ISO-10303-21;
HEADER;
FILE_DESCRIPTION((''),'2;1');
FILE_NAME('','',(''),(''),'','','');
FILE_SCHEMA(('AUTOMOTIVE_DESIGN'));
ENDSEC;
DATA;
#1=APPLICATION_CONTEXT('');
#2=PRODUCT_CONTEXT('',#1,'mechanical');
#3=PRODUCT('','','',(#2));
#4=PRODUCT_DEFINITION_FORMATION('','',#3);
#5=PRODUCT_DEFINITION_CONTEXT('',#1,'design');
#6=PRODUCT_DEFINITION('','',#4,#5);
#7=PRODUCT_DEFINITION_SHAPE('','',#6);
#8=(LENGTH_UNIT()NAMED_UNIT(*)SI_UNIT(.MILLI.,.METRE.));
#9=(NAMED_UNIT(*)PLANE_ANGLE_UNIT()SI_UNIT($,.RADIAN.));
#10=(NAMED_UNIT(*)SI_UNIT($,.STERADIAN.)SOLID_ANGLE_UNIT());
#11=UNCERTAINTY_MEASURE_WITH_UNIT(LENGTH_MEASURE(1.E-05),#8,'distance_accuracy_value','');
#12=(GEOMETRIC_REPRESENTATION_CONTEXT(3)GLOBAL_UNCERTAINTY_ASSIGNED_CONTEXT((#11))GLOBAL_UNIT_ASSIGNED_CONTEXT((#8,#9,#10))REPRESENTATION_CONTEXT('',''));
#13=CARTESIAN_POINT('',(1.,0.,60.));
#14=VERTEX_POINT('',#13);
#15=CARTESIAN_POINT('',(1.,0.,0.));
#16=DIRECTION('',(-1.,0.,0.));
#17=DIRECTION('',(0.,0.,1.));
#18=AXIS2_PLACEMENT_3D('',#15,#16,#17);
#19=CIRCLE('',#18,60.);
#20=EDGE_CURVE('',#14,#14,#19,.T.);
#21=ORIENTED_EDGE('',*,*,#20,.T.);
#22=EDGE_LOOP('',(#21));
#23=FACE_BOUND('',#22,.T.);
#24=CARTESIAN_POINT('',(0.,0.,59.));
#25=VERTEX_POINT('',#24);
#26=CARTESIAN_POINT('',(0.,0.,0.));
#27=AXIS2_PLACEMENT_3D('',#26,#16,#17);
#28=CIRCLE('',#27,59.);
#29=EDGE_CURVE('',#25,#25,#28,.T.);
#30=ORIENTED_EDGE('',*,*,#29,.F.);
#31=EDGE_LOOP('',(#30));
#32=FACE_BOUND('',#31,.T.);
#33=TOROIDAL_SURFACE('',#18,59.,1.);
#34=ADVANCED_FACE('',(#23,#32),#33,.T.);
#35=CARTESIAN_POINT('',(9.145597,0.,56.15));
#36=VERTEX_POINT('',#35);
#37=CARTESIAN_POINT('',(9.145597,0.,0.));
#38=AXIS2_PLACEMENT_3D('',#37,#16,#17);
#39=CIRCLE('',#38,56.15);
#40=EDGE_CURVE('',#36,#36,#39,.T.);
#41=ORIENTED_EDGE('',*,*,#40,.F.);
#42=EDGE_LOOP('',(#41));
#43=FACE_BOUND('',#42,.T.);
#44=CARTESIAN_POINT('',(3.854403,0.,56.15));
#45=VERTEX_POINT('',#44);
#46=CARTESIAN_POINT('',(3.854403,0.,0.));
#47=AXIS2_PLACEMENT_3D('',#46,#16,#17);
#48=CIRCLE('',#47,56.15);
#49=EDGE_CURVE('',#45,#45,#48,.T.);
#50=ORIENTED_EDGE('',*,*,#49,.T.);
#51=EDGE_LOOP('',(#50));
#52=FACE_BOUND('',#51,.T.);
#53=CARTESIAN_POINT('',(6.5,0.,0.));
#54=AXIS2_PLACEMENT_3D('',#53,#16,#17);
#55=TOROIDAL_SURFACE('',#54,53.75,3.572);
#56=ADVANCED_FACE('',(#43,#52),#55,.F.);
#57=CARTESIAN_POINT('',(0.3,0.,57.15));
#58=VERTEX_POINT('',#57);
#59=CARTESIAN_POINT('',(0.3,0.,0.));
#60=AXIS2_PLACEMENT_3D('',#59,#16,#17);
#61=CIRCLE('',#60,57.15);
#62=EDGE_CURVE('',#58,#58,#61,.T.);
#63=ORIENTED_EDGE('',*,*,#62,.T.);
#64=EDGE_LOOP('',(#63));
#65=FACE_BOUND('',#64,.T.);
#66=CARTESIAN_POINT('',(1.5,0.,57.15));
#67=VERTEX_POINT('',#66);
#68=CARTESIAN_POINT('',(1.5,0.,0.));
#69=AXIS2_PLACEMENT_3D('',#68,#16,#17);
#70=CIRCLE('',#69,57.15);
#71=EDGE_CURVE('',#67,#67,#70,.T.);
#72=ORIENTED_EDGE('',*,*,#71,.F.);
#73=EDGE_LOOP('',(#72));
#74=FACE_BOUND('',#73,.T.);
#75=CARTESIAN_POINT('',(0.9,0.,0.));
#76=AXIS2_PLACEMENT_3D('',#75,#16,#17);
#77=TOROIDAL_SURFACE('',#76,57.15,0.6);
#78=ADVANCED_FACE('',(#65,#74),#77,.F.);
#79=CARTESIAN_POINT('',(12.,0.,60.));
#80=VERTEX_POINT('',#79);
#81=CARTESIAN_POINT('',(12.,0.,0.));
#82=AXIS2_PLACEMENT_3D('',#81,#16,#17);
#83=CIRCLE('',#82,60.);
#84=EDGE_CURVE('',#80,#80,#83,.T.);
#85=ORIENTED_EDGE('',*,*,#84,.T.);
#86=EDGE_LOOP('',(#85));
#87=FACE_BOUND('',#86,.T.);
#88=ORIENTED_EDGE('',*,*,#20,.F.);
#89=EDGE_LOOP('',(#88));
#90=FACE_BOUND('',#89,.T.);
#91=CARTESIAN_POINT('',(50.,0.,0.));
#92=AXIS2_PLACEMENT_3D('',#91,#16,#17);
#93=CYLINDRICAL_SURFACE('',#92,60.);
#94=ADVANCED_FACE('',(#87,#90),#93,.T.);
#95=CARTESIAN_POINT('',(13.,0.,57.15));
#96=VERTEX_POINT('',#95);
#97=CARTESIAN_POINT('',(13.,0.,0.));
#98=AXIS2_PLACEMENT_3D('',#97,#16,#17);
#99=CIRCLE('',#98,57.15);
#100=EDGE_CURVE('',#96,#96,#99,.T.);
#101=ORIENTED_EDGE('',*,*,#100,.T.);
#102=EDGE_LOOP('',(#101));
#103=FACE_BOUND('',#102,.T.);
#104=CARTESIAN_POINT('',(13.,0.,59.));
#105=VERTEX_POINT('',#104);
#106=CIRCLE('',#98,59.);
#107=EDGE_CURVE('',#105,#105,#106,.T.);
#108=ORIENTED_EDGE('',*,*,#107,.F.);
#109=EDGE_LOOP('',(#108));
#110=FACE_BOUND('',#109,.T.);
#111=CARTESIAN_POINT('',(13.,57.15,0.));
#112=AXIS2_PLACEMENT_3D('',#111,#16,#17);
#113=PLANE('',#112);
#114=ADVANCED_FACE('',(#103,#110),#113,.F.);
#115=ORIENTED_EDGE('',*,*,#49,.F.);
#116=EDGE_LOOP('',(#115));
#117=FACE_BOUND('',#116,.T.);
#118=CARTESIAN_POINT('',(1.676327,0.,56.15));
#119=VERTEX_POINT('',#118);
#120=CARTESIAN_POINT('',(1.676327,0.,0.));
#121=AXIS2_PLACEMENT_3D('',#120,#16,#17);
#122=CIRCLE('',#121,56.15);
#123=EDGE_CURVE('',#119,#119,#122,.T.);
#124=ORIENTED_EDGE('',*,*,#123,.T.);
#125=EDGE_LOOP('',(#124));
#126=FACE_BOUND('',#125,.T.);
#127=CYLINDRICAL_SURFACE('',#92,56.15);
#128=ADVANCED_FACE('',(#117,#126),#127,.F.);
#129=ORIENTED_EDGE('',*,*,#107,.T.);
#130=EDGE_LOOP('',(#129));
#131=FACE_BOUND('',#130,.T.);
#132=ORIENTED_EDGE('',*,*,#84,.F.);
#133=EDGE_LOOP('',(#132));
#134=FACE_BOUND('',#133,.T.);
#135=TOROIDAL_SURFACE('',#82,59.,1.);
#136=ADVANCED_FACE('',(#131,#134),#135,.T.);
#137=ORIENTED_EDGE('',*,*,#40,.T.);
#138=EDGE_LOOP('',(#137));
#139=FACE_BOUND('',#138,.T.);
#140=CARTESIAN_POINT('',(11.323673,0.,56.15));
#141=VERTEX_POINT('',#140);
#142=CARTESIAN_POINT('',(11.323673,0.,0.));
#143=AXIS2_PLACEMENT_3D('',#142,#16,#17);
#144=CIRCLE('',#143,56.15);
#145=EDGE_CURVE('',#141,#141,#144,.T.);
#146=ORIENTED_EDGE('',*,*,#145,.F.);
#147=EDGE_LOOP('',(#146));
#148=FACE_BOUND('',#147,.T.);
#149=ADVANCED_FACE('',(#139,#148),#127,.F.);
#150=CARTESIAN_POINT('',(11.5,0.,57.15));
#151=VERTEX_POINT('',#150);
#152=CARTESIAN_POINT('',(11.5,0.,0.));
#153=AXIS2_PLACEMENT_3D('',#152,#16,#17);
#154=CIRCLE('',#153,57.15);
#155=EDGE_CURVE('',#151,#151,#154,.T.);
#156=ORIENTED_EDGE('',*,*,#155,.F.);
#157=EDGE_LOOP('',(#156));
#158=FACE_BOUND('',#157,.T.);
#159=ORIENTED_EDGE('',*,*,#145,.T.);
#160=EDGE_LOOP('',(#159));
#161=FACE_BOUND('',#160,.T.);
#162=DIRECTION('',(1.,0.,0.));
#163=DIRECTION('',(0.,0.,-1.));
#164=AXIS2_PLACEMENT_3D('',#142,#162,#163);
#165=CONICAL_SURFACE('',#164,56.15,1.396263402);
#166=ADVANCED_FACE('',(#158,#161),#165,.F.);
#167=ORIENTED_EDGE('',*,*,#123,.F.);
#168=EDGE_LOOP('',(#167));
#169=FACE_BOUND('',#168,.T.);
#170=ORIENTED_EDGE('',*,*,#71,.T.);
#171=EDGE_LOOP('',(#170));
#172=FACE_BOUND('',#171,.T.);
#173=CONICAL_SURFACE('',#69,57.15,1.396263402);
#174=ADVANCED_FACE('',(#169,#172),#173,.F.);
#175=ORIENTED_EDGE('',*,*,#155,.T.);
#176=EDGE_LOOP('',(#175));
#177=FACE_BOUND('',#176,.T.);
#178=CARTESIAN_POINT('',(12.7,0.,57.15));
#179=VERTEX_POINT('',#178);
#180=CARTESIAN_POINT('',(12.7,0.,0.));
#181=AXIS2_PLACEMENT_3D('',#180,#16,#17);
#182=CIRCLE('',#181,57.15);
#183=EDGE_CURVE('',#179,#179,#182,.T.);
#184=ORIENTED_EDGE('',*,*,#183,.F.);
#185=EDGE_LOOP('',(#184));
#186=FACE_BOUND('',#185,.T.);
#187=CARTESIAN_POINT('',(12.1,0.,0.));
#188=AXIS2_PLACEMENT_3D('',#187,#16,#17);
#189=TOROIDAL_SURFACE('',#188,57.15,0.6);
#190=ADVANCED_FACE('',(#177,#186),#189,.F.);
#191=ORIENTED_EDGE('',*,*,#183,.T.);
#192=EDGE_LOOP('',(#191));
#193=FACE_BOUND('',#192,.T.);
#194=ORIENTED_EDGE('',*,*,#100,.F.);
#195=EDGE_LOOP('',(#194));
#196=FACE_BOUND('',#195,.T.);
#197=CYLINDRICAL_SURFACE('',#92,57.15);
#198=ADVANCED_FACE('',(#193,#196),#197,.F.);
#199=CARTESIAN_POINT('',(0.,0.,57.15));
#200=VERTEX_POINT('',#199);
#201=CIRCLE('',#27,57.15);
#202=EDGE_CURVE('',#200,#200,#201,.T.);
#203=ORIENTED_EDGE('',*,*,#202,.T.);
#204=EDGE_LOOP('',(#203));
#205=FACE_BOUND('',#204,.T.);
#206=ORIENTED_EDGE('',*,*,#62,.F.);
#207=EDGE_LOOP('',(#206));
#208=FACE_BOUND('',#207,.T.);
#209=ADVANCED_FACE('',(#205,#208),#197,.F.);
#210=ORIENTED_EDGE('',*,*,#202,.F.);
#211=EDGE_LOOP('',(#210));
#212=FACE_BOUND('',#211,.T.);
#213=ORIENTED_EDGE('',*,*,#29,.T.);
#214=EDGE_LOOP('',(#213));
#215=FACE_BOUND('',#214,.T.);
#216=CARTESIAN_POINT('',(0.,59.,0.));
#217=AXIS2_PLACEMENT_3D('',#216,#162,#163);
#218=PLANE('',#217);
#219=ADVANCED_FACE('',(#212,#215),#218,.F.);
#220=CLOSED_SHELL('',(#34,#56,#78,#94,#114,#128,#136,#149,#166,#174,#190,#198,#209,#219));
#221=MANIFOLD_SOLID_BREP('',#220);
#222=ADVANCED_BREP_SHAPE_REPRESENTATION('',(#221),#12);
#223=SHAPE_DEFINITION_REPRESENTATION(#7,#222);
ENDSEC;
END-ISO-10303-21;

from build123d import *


with BuildPart() as part:
    # Schizzo1 → Rivoluzione1 (revolve)
    with BuildSketch(Plane.XY, mode=Mode.PRIVATE) as rivoluzione1_sk:
        with BuildLine():
            Line((0, 57.15), (0.3, 57.15))
            ThreePointArc((0.3, 57.15), (0.9, 57.75), (1.5, 57.15))
            Line((1.5, 57.15), (1.676326981, 56.15))
            Line((1.676326981, 56.15), (3.854402903, 56.15))
            ThreePointArc((3.854402903, 56.15), (6.5, 57.322), (9.145597097, 56.15))
            Line((9.145597097, 56.15), (11.323673019, 56.15))
            Line((11.323673019, 56.15), (11.5, 57.15))
            ThreePointArc((11.5, 57.15), (12.1, 57.75), (12.7, 57.15))
            Line((12.7, 57.15), (13, 57.15))
            Line((13, 57.15), (13, 59))
            ThreePointArc((13, 59), (12.707106781, 59.707106781), (12, 60))
            Line((12, 60), (1, 60))
            ThreePointArc((1, 60), (0.292893219, 59.707106781), (0, 59))
            Line((0, 59), (0, 57.15))
        make_face()
    revolve(rivoluzione1_sk.sketch.rotate(Axis((50, 0, 0), (-1, 0, 0)), 270), axis=Axis((50, 0, 0), (-1, 0, 0)))


solid = part.part
